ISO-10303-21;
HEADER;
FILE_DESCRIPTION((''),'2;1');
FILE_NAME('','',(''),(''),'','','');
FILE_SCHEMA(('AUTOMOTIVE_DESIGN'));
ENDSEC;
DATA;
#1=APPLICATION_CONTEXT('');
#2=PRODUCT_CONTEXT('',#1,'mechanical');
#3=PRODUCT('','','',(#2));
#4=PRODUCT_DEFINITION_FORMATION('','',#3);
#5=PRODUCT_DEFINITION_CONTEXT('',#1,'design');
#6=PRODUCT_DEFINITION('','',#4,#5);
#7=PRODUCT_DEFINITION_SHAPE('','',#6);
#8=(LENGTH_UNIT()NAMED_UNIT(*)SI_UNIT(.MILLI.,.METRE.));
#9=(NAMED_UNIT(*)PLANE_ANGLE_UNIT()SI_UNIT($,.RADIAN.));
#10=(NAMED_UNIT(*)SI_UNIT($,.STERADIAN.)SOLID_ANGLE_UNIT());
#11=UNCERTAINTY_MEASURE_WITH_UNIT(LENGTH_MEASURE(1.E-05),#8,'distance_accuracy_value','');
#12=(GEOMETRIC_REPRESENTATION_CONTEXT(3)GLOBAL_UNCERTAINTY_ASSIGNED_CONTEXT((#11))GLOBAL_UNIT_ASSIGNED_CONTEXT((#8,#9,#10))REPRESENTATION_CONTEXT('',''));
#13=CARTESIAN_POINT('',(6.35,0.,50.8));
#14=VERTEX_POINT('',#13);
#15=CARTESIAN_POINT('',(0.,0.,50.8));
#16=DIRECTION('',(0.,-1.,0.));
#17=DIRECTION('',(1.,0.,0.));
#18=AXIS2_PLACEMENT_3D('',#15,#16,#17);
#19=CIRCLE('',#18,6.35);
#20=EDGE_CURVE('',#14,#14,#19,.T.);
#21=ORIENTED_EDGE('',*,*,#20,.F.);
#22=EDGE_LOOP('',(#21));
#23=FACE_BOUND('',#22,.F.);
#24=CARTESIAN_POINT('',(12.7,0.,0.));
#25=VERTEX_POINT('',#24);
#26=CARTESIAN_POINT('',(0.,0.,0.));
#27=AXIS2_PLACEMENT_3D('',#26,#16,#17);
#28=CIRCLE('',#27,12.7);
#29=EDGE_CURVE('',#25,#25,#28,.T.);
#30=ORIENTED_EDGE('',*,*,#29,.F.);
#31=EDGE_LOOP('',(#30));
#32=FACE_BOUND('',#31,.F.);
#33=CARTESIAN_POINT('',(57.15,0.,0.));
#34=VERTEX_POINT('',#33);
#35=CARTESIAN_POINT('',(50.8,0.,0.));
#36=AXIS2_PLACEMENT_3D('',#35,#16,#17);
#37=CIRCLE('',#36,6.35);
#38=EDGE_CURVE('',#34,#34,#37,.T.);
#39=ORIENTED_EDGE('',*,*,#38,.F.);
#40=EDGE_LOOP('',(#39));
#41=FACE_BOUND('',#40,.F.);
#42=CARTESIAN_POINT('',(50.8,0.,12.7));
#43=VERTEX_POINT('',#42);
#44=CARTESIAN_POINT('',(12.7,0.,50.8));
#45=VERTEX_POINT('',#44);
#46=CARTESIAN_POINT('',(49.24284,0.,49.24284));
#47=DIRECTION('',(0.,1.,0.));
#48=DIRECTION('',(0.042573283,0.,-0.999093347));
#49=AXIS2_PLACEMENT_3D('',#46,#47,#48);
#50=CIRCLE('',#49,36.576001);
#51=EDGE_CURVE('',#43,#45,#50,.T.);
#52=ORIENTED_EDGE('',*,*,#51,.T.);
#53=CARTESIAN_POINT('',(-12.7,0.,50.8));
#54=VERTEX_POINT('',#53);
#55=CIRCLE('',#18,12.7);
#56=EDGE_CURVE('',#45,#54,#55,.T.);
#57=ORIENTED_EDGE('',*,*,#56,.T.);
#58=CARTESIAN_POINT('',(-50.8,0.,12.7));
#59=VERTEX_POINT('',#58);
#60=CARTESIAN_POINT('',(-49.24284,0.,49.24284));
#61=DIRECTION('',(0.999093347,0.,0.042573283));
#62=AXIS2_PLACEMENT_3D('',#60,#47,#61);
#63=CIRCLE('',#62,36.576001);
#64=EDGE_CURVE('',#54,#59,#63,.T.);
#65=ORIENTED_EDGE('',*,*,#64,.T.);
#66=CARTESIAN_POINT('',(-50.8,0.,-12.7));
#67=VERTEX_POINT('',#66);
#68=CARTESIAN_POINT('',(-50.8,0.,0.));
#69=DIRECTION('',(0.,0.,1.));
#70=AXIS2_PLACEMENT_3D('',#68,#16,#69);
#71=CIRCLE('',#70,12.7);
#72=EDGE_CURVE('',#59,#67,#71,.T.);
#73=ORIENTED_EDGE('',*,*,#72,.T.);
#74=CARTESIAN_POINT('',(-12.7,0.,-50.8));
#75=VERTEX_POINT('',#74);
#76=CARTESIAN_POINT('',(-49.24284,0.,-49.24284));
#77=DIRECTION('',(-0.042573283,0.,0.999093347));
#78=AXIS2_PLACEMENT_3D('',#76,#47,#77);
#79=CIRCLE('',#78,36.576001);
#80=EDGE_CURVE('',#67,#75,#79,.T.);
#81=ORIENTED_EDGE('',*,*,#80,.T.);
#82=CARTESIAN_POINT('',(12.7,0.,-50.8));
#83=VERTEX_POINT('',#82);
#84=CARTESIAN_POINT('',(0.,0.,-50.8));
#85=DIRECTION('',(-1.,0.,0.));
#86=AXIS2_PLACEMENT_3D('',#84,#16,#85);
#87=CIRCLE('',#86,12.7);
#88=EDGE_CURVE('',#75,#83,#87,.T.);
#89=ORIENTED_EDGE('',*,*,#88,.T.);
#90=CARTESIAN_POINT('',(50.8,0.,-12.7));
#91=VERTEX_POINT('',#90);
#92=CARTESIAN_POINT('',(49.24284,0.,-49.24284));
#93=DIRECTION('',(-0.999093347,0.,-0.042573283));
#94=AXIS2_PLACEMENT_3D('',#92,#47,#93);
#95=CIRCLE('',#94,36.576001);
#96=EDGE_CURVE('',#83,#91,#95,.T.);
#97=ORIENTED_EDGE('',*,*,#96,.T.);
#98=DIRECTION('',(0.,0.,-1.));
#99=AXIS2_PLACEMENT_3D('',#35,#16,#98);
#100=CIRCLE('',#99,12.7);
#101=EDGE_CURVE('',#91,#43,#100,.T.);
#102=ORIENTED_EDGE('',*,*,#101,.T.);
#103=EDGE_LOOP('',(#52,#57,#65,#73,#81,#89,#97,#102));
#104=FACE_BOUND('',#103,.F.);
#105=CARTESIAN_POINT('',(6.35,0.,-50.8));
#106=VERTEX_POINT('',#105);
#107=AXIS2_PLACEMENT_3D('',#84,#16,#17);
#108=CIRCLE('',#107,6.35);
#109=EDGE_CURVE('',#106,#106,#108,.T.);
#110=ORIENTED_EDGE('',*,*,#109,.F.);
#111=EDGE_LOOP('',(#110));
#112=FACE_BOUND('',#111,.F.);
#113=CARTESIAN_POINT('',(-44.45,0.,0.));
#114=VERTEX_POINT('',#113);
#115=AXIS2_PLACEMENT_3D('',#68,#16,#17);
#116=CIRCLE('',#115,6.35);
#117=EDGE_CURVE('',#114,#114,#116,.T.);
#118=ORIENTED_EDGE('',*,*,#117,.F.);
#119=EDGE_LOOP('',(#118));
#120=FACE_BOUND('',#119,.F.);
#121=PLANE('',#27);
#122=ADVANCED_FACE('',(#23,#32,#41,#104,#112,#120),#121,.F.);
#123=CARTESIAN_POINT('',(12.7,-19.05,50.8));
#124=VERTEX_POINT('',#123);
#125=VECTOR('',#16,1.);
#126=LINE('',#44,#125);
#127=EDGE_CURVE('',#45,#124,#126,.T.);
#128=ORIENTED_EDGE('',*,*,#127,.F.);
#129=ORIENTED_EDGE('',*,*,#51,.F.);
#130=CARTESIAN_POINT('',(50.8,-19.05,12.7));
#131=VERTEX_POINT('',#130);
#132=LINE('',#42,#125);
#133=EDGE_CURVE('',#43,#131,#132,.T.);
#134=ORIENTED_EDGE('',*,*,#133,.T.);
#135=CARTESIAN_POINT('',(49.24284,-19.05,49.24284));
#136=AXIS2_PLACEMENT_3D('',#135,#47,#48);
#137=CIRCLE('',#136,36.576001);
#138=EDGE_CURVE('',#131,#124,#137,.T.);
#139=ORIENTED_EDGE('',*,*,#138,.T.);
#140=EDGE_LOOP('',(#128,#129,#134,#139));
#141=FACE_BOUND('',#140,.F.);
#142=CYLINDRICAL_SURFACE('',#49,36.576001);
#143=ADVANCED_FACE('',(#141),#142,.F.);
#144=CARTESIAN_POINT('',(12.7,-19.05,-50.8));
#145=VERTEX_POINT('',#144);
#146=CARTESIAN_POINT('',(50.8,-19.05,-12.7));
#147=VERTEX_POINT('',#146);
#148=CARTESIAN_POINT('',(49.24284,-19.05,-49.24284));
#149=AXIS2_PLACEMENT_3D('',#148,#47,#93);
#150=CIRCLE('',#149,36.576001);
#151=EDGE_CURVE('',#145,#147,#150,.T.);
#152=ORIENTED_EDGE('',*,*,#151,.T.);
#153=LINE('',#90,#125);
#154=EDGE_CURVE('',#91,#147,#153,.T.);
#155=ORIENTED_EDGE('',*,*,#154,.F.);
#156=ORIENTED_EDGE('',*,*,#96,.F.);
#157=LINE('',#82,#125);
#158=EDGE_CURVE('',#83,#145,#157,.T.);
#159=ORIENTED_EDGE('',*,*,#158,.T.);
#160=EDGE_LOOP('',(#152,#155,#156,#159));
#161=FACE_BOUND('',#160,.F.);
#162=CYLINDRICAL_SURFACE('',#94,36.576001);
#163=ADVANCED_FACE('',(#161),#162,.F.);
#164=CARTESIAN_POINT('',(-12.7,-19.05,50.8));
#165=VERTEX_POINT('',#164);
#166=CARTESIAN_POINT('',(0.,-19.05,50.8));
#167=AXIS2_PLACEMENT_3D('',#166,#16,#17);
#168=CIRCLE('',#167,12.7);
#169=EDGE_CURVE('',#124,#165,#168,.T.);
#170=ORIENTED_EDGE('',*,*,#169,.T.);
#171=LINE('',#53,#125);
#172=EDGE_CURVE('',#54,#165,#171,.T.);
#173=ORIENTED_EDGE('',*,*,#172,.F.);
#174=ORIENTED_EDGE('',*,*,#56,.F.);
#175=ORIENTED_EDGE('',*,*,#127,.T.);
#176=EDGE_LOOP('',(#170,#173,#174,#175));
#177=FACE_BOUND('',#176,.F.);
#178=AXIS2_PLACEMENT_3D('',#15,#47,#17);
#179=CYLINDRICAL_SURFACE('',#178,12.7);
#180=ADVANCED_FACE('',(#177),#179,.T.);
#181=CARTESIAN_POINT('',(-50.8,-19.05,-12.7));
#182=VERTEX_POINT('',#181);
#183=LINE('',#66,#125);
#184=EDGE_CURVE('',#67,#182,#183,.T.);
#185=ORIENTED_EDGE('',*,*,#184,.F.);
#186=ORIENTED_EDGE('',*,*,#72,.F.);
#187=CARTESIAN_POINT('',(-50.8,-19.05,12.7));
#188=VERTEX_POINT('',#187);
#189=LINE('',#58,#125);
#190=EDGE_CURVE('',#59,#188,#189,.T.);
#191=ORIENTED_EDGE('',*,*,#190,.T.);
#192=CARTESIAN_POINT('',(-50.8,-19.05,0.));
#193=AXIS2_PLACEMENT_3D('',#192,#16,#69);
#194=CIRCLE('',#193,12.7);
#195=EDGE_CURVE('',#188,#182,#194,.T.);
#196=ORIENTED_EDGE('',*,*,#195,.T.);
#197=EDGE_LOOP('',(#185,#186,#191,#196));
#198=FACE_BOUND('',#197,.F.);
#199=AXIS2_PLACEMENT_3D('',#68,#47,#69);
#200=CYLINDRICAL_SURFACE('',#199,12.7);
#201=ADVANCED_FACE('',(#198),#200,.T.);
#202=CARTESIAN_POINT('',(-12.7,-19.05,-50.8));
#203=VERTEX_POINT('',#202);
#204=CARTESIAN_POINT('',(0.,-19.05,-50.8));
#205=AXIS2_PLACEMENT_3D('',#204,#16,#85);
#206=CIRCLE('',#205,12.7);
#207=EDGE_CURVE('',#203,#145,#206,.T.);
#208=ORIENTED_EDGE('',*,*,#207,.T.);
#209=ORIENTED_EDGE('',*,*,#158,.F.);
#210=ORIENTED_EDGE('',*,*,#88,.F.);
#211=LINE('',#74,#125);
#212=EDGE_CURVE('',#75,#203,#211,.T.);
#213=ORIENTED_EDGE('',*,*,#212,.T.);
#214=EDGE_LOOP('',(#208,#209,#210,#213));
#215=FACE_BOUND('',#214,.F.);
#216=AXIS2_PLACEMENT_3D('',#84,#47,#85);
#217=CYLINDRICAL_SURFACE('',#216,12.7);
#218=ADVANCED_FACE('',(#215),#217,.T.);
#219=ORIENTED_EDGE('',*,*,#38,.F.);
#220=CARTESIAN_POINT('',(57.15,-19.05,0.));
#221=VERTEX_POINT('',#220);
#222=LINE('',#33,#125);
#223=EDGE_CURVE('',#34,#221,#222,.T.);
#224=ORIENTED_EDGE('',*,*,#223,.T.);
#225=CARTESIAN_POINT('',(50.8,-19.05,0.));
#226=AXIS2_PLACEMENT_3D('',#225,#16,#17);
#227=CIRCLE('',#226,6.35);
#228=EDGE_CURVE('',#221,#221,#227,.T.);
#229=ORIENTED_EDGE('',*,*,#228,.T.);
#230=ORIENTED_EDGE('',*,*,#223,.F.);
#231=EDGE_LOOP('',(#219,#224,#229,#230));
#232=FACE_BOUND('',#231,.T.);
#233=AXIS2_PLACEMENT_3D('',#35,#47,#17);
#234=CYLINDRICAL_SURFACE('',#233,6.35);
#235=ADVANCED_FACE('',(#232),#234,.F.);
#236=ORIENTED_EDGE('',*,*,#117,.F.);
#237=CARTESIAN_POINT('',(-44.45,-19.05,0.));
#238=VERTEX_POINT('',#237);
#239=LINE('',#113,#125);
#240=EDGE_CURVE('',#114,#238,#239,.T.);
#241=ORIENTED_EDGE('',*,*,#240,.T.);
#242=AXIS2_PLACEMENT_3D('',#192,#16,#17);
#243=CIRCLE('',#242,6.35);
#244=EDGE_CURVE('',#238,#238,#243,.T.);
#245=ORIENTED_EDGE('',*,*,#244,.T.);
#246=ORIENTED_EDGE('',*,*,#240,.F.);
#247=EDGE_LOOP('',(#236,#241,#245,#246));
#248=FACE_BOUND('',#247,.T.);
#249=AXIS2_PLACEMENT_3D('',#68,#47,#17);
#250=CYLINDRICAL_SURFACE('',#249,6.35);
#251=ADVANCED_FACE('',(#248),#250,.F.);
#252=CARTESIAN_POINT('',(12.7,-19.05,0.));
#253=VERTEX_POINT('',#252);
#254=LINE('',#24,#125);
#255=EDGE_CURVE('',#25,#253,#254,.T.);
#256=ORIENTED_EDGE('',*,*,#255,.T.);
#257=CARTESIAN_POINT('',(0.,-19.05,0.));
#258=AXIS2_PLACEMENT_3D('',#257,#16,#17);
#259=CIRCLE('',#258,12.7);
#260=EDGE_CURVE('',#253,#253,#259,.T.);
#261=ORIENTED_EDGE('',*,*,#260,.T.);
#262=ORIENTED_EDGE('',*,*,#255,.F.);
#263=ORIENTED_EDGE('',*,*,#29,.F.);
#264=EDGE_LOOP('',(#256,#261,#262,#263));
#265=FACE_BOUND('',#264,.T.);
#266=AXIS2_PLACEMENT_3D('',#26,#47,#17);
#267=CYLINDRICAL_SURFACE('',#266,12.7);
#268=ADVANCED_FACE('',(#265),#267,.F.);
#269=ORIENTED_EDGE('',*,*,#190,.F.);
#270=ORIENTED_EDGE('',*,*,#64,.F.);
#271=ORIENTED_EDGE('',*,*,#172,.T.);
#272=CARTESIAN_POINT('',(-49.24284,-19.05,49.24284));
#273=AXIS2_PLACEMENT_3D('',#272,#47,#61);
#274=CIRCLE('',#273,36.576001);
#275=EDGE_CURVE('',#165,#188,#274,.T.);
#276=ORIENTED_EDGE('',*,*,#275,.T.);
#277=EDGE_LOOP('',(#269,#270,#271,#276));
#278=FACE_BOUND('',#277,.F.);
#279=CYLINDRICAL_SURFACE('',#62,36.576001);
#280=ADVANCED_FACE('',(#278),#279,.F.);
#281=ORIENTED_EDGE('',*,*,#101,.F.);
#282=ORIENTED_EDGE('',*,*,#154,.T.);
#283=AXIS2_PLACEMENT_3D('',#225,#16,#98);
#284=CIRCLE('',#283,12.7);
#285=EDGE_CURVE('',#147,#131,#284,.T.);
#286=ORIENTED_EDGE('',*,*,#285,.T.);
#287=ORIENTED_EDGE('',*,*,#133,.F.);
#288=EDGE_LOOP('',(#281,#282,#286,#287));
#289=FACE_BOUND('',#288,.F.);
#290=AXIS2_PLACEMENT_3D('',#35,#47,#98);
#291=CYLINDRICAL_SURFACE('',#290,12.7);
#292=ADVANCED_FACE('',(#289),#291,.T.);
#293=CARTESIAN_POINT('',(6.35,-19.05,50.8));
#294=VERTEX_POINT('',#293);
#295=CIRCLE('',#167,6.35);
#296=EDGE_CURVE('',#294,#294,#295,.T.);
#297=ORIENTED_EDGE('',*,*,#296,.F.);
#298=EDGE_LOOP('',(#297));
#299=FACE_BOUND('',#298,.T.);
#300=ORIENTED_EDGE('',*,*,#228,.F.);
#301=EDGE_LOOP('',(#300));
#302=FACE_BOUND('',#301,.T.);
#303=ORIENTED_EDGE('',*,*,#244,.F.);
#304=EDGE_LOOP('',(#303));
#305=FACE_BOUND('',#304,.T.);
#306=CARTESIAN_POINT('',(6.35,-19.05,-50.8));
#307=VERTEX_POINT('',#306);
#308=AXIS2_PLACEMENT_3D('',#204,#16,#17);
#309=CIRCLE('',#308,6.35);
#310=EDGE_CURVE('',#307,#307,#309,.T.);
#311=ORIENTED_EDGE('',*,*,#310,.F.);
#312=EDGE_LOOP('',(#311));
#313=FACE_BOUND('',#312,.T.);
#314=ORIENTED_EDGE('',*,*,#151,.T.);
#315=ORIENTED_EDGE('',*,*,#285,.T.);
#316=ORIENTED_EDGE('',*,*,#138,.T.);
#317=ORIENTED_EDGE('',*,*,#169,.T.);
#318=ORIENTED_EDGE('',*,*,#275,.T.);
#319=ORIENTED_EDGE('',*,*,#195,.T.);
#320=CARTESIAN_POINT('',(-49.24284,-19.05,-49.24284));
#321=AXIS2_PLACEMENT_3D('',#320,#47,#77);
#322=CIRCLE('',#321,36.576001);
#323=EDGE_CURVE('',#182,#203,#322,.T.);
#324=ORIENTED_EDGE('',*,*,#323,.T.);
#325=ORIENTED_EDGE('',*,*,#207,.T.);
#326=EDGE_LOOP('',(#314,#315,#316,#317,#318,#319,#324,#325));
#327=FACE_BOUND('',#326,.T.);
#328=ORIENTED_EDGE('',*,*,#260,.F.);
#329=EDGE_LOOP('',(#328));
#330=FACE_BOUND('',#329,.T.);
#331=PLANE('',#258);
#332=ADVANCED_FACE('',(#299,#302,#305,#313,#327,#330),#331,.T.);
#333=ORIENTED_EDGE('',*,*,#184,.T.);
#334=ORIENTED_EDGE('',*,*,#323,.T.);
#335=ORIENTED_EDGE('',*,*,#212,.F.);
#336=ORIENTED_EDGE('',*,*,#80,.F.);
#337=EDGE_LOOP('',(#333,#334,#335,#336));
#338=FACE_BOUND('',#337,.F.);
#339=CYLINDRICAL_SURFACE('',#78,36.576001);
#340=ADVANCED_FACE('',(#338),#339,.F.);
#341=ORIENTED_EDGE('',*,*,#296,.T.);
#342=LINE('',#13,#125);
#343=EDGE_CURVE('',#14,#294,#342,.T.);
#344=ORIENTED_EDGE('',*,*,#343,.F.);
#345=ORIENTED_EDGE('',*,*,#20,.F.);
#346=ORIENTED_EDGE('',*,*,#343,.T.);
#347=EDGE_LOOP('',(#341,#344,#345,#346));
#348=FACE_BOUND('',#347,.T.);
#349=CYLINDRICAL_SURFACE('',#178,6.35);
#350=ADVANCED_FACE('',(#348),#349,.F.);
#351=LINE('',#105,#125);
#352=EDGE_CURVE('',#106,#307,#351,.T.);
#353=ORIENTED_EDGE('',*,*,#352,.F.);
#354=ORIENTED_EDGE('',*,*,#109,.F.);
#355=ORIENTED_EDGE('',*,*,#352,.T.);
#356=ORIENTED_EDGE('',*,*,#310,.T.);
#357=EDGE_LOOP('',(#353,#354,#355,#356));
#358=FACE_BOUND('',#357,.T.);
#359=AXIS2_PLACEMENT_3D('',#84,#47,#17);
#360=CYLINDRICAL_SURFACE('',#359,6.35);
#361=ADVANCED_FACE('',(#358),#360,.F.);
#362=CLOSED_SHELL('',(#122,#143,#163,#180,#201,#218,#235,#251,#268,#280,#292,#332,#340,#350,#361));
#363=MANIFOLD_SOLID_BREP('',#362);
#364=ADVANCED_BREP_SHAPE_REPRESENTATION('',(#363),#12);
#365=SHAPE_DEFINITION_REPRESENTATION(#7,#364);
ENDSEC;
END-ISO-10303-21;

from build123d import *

# Parameters (mm, degrees)
F0_R     = 6.35
F0_R_2   = 12.7
F1_DEPTH = 19.05


with BuildPart() as f1:
    # F0 (on Front) → F1 (new body)
    with BuildSketch(Plane.XZ):
        with BuildLine():
            ThreePointArc((50.8, 12.7), (23.379701, 23.379701), (12.7, 50.8))
            ThreePointArc((12.7, 50.8), (0, 63.5), (-12.7, 50.8))
            ThreePointArc((-12.7, 50.8), (-23.379701, 23.379701), (-50.8, 12.7))
            ThreePointArc((-50.8, 12.7), (-63.5, 0), (-50.8, -12.7))
            ThreePointArc((-50.8, -12.7), (-23.379701, -23.379701), (-12.7, -50.8))
            ThreePointArc((-12.7, -50.8), (0, -63.5), (12.7, -50.8))
            ThreePointArc((12.7, -50.8), (23.379701, -23.379701), (50.8, -12.7))
            ThreePointArc((50.8, -12.7), (63.5, 0), (50.8, 12.7))
        make_face()
        with Locations((0, -50.8)):
            Circle(F0_R, mode=Mode.SUBTRACT)
        with Locations((-50.8, 0)):
            Circle(F0_R, mode=Mode.SUBTRACT)
        Circle(F0_R_2, mode=Mode.SUBTRACT)
        with Locations((50.8, 0)):
            Circle(F0_R, mode=Mode.SUBTRACT)
        with Locations((0, 50.8)):
            Circle(F0_R, mode=Mode.SUBTRACT)
    extrude(amount=F1_DEPTH)


solid = f1.part
